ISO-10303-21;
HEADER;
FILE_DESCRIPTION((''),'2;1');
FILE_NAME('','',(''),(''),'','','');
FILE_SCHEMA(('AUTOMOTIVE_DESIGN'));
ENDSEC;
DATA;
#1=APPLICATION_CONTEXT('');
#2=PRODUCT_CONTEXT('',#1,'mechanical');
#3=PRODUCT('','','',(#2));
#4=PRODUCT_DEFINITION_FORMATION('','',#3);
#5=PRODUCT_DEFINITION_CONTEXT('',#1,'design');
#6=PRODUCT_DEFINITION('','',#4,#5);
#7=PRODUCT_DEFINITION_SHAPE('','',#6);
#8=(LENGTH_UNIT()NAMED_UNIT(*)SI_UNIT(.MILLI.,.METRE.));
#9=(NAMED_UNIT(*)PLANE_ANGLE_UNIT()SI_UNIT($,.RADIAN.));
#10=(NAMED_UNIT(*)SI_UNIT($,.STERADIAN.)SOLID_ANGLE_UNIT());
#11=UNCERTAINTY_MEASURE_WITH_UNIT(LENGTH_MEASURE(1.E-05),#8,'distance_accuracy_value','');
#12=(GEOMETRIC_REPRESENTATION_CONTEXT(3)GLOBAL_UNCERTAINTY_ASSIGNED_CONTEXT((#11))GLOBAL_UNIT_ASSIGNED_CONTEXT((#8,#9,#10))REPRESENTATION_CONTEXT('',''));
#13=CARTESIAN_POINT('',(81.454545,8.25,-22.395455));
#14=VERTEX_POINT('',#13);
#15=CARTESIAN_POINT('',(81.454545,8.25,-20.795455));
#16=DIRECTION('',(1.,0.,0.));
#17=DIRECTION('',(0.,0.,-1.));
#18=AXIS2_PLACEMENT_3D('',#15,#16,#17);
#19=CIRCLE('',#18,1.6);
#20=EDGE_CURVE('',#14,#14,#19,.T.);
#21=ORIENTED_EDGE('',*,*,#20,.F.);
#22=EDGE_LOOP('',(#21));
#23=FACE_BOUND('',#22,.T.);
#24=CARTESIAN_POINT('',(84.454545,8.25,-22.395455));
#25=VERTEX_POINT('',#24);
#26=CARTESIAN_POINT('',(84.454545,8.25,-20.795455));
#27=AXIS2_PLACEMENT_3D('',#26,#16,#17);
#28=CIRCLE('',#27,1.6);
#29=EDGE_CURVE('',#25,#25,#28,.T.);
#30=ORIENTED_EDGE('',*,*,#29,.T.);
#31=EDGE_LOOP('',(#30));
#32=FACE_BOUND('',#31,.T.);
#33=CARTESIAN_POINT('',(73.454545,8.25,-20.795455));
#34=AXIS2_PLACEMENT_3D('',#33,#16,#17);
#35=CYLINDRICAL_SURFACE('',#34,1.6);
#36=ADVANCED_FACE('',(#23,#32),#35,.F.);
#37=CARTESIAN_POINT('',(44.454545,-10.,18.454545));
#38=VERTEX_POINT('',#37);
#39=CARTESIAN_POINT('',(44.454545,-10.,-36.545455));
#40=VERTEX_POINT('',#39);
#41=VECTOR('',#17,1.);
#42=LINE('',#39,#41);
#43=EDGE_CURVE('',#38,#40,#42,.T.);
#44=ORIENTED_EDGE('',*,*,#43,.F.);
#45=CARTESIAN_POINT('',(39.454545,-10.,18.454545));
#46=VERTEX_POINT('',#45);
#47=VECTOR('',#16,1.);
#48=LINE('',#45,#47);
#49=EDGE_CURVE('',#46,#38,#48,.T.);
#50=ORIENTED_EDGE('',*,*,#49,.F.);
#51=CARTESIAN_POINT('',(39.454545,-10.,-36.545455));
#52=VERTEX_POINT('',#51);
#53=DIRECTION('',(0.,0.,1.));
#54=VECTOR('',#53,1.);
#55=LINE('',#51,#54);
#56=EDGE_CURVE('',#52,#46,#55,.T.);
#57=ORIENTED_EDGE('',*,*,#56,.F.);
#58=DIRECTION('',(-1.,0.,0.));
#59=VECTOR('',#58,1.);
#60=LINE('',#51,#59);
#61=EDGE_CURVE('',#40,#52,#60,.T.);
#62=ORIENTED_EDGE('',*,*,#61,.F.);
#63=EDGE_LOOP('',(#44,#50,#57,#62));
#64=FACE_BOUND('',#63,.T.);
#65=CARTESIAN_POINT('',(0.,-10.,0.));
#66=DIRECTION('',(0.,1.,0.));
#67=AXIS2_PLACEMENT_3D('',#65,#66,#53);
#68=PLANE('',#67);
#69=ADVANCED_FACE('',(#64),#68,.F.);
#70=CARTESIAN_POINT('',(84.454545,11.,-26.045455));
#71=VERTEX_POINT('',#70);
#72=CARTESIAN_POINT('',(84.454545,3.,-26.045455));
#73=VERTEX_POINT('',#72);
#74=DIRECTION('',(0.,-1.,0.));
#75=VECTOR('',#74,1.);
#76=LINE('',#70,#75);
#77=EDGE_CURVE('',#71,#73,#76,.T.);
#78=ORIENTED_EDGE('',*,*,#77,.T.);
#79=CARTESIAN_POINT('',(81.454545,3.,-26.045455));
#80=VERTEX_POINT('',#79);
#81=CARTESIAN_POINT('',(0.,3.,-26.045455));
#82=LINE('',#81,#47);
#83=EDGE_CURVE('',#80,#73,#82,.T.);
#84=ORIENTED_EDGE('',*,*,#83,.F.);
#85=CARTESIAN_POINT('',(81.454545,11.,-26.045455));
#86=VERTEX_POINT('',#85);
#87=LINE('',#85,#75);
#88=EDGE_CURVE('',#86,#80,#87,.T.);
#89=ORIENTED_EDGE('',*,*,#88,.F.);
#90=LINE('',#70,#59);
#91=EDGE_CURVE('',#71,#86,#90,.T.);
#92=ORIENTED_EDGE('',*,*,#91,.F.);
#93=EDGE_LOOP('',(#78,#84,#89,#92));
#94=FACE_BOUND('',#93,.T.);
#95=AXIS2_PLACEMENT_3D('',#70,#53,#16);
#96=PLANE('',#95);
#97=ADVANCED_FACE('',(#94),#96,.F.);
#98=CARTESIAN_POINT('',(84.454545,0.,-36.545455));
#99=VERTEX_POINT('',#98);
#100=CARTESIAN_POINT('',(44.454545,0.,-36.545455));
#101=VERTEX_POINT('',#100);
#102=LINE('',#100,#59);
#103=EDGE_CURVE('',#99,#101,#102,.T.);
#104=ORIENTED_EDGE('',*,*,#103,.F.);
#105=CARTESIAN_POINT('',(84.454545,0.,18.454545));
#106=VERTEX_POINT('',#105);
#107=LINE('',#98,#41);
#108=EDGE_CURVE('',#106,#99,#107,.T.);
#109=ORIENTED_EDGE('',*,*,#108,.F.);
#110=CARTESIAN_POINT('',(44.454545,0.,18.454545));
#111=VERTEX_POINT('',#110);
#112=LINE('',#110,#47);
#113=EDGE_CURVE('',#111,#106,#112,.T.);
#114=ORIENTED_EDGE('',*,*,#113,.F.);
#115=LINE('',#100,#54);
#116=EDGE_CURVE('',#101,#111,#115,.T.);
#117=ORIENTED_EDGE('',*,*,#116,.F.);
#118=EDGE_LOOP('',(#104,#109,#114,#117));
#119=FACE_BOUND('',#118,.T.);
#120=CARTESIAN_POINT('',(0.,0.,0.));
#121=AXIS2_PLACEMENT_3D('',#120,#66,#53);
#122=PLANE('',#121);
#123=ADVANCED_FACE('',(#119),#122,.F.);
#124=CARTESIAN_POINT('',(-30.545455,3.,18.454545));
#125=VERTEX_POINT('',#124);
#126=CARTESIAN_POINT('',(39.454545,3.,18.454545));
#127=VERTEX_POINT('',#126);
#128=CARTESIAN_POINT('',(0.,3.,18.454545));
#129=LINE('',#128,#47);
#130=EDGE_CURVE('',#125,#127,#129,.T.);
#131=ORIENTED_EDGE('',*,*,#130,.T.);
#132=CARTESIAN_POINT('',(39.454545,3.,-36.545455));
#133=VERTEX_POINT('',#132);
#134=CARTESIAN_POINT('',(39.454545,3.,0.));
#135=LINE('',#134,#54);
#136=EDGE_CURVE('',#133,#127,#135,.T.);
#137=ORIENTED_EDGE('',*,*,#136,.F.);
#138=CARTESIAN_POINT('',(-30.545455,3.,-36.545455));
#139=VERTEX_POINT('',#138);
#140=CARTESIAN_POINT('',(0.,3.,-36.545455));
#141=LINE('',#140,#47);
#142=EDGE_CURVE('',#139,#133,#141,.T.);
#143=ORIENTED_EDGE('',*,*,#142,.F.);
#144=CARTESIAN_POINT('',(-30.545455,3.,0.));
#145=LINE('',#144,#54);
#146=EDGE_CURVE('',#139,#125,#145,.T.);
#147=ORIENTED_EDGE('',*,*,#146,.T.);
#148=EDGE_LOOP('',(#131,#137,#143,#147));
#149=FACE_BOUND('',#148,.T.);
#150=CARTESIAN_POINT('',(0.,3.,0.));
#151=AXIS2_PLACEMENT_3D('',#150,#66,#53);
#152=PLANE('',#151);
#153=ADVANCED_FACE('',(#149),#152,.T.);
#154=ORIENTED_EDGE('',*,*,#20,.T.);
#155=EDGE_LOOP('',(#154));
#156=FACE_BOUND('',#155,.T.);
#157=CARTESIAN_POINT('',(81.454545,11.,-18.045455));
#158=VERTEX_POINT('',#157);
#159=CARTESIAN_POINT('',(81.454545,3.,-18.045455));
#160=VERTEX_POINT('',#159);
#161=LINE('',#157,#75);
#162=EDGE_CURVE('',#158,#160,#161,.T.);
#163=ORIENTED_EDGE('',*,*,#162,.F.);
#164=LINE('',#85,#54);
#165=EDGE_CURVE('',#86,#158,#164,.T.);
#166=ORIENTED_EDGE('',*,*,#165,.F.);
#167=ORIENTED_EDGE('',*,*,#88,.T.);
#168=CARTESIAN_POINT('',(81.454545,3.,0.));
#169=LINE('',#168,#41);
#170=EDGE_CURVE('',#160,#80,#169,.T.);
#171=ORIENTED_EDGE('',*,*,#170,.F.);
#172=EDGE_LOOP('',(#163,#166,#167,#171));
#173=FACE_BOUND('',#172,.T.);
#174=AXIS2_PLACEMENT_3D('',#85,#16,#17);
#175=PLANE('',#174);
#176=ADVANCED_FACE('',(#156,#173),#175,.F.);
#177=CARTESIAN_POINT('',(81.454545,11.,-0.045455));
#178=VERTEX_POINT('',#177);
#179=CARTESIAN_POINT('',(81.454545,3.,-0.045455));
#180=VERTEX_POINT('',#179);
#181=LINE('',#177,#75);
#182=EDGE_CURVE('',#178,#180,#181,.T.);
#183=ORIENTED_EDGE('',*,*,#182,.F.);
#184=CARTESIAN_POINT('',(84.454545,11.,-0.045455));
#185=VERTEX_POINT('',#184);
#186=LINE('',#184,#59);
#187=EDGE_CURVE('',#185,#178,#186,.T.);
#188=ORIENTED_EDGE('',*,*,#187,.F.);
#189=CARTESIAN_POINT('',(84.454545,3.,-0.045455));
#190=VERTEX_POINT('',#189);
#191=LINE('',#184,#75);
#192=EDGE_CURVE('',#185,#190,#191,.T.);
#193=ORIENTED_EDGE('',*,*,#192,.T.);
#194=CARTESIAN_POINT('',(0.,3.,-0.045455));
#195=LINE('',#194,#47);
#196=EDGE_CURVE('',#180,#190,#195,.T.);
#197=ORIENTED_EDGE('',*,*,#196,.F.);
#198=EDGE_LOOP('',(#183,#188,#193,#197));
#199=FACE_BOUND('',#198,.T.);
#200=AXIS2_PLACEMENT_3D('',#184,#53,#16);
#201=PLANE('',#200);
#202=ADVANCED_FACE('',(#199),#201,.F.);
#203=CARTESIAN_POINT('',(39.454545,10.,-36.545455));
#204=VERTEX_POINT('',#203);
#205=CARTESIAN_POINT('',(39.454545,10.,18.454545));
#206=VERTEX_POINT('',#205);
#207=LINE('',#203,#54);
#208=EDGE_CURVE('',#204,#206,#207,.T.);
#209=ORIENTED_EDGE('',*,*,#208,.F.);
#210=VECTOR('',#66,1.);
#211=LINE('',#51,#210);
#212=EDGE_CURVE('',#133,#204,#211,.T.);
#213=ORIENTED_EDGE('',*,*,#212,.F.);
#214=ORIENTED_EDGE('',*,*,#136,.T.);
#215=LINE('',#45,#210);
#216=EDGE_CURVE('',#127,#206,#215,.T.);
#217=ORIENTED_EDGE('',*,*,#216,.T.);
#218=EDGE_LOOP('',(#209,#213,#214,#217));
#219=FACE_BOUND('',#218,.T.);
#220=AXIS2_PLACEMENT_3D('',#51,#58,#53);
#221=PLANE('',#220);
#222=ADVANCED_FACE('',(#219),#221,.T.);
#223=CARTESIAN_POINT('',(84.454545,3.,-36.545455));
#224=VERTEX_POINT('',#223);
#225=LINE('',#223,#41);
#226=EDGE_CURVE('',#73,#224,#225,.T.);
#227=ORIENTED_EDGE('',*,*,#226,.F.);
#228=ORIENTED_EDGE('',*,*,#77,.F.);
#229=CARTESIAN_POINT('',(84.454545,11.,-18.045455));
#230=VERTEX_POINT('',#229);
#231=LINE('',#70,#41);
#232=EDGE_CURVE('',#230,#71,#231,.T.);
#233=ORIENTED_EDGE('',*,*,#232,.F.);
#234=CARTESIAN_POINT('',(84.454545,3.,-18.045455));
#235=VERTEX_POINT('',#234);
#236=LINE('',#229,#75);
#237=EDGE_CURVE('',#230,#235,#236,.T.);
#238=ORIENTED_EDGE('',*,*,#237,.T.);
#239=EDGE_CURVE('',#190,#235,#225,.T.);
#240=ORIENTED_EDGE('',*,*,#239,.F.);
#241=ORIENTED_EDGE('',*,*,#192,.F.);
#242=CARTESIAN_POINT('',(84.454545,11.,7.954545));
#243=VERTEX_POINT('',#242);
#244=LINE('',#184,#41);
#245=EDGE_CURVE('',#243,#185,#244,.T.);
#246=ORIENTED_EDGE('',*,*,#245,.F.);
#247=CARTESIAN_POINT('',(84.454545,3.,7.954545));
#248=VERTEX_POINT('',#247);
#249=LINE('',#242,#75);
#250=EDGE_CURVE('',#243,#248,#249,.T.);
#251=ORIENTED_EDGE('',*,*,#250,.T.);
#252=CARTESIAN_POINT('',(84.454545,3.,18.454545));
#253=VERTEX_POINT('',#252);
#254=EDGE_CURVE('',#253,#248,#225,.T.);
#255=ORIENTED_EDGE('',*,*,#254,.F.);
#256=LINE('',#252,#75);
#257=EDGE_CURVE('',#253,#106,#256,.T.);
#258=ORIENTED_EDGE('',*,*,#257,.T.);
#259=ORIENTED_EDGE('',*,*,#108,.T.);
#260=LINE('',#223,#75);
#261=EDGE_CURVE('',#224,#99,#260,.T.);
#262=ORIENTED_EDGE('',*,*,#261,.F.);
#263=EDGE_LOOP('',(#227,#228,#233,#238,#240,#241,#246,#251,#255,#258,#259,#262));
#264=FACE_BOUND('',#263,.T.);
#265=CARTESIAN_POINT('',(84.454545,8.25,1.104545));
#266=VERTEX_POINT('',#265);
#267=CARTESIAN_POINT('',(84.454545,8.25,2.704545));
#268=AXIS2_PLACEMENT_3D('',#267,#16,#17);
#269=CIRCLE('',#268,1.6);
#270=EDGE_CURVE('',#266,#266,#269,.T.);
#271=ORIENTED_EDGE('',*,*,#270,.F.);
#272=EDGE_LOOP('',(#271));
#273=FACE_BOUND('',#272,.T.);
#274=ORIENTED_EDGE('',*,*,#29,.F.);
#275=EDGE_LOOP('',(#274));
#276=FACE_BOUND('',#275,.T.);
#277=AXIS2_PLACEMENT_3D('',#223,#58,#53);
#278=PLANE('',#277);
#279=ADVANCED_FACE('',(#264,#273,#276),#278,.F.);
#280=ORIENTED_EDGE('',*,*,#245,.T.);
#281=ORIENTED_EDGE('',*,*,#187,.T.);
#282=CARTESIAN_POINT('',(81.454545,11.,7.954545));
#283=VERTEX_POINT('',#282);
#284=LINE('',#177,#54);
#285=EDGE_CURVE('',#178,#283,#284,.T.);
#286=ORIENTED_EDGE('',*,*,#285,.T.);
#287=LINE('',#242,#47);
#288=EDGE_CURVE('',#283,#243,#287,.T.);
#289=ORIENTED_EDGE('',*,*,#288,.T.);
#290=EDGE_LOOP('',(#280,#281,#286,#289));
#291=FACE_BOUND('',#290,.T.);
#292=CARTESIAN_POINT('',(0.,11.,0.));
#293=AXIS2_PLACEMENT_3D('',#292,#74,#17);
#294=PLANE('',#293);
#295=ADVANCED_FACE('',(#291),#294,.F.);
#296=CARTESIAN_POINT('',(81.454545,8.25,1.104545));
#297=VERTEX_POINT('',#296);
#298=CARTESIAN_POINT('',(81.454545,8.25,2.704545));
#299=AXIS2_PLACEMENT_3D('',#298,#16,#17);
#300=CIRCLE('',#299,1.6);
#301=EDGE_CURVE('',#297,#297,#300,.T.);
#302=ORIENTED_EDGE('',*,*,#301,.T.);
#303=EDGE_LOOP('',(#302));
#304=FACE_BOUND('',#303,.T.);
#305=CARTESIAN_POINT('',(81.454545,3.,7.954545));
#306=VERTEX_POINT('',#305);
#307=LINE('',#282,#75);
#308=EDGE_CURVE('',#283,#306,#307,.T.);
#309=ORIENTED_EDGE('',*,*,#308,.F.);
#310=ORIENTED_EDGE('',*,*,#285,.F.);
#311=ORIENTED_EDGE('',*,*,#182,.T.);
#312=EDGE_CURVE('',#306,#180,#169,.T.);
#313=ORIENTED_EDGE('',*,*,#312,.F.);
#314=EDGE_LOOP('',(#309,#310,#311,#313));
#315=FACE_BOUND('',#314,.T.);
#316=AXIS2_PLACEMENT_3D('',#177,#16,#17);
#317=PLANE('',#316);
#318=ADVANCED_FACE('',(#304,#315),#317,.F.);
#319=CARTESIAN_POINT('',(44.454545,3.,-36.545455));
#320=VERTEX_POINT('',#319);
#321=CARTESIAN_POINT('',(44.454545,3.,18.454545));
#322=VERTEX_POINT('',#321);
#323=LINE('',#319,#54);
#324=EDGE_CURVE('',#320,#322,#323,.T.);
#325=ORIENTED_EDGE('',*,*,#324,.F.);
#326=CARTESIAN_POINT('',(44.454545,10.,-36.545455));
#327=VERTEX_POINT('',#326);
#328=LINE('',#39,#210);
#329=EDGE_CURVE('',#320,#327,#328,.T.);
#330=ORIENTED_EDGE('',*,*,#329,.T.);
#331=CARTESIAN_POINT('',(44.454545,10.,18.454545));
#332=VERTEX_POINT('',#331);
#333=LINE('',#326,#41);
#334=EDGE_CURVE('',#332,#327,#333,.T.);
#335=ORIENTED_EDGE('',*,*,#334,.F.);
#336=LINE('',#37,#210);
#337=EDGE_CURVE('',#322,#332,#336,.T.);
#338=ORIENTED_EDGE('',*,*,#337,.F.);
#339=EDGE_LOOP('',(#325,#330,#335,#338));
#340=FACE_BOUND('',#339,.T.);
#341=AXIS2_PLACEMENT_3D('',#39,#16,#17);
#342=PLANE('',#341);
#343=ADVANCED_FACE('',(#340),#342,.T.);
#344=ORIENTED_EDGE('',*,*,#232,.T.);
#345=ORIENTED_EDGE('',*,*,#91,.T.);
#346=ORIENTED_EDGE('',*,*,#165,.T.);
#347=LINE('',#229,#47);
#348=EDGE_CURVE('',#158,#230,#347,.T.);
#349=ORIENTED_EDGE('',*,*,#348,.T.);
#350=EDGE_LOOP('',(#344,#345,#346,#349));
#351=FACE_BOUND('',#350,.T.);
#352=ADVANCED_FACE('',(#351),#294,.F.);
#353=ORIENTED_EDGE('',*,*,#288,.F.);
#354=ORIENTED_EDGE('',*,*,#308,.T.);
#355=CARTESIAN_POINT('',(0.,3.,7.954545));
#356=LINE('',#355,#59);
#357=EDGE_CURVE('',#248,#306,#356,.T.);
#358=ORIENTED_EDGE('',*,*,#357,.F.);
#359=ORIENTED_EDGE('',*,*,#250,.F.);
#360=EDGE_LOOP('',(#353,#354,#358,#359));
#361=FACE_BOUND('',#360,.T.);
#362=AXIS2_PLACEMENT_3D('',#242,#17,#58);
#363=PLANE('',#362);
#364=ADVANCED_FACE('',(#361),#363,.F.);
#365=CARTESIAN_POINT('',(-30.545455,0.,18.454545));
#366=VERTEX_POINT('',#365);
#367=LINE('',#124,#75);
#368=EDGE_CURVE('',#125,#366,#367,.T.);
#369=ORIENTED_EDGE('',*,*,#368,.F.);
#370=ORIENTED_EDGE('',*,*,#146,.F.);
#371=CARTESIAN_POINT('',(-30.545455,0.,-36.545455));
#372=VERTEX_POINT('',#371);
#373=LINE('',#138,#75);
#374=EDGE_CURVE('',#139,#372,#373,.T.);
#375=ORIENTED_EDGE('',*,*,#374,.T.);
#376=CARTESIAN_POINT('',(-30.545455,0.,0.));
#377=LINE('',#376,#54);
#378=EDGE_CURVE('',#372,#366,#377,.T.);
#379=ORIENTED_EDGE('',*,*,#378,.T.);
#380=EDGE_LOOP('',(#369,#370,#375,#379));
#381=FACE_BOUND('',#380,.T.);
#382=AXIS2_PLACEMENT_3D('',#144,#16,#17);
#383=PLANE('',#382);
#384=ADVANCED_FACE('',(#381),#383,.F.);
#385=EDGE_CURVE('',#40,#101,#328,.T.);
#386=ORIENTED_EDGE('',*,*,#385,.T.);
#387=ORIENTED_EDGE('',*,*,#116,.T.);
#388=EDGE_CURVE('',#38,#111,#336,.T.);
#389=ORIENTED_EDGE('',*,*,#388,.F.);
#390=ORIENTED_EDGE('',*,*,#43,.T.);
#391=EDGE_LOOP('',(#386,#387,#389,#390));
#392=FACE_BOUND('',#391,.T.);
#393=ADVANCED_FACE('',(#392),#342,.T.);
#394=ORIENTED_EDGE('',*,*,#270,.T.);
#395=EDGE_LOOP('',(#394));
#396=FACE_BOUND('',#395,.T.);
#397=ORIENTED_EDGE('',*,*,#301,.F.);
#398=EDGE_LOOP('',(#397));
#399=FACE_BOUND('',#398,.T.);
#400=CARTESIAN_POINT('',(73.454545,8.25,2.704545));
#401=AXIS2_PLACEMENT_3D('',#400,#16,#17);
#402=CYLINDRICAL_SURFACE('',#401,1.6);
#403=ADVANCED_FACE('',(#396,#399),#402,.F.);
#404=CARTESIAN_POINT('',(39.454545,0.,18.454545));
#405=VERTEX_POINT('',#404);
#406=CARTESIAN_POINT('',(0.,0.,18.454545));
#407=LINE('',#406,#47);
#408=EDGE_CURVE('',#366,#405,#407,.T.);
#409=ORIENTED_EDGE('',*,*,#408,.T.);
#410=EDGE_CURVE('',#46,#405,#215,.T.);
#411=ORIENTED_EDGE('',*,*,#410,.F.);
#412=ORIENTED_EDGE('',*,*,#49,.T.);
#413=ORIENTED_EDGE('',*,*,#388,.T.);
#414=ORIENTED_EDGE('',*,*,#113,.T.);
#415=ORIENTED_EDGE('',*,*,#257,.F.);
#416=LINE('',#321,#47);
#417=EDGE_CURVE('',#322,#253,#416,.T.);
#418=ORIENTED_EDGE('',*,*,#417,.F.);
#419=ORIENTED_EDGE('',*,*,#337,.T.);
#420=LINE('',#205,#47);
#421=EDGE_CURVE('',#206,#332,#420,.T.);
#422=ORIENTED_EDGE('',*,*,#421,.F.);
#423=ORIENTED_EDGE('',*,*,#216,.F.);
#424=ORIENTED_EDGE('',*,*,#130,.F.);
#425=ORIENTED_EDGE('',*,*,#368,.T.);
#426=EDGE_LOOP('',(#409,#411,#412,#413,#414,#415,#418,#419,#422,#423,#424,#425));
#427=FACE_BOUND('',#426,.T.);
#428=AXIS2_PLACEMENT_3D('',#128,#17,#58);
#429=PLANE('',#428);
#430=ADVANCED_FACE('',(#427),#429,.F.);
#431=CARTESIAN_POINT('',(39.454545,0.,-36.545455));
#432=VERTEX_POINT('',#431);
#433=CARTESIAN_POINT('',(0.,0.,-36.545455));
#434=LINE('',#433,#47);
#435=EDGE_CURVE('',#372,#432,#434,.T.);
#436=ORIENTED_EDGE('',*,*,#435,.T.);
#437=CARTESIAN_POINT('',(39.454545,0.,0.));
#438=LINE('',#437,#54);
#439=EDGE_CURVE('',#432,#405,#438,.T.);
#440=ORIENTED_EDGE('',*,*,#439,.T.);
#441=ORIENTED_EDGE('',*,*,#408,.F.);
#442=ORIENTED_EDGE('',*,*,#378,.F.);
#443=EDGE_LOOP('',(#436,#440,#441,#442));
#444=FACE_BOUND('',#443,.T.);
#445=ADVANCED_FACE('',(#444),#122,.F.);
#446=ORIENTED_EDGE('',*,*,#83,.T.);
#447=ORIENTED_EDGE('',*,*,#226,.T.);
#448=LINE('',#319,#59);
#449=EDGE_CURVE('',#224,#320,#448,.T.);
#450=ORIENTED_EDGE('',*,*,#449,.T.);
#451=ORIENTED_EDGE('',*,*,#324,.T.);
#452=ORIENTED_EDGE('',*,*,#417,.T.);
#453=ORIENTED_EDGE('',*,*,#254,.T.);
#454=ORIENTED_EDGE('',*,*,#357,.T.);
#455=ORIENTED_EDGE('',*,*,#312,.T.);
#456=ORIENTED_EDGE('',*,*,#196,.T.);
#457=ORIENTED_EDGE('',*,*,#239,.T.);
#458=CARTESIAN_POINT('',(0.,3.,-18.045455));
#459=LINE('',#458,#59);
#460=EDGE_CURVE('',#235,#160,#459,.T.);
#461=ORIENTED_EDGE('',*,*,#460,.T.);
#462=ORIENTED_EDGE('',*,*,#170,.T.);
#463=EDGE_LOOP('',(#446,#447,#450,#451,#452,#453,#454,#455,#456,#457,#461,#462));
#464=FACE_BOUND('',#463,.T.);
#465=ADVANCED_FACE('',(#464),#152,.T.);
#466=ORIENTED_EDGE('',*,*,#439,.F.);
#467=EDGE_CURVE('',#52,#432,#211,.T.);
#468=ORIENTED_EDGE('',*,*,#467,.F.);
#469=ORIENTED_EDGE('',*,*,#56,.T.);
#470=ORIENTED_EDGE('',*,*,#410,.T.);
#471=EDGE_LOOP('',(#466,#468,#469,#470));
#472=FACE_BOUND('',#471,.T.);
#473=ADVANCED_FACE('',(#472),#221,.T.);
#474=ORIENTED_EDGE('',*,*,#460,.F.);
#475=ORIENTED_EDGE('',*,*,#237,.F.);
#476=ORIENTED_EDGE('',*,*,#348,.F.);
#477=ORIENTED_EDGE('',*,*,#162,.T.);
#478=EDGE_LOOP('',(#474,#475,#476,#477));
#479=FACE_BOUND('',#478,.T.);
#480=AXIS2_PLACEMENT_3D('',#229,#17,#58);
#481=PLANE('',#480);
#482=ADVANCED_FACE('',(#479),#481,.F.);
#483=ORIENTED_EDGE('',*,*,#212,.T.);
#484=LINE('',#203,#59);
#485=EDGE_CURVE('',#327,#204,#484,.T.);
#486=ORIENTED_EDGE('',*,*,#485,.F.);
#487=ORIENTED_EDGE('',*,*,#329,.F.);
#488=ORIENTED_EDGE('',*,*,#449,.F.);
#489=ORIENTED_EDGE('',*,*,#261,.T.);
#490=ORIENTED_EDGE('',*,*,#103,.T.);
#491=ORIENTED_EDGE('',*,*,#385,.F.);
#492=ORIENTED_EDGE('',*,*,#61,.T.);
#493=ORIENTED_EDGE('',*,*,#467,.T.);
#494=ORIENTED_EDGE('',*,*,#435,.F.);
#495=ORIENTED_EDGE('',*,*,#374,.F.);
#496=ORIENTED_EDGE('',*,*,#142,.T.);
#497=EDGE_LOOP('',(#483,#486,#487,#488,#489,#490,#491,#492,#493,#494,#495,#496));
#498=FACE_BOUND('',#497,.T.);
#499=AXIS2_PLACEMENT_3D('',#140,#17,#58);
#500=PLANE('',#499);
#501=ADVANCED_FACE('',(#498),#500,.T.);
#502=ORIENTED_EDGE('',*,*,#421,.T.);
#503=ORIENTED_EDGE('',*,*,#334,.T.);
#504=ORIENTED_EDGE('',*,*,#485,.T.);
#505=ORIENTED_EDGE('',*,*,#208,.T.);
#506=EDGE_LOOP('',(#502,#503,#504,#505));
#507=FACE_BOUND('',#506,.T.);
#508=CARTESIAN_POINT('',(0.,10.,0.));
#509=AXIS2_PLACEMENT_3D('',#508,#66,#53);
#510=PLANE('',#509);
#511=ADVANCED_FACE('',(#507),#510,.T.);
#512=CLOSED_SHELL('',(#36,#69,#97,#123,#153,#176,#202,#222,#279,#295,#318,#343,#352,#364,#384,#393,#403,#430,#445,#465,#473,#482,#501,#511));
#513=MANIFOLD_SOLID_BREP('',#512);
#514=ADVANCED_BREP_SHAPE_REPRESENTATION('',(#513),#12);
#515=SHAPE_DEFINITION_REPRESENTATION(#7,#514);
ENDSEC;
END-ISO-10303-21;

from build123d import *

# Parameters (mm, degrees)
SKETCH2_W                = 70
SKETCH2_H                = 55
BOSS_EXTRUDE3_DEPTH      = 3
BOSS_EXTRUDE4_DEPTH      = 10
BOSS_EXTRUDE4_DEPTH_BACK = 10
SKETCH5_W                = 5
SKETCH5_H                = 55
SKETCH6_W                = 40
SKETCH6_H                = 55
BOSS_EXTRUDE5_DEPTH      = 3
SKETCH8_W                = 3
SKETCH8_H                = 8
BOSS_EXTRUDE6_DEPTH      = 11
SKETCH9_R                = 1.6
CUT_EXTRUDE1_DEPTH       = 11


with BuildPart() as part:
    # Sketch2 → Boss-Extrude3 (new body)
    with BuildSketch(Plane(origin=(0, 0, 0), x_dir=(1, 0, 0), z_dir=(0, 1, 0))):
        with Locations((4.454545455, 9.045454545)):
            Rectangle(SKETCH2_W, SKETCH2_H)
    extrude(amount=BOSS_EXTRUDE3_DEPTH)

    # Sketch5 → Boss-Extrude4 (add, two sides: drawn at the far end of the back side and taken through both)
    with BuildSketch(Plane(origin=(0, 0, 0), x_dir=(1, 0, 0), z_dir=(0, 1, 0)).offset(-BOSS_EXTRUDE4_DEPTH_BACK)):
        with Locations((41.954545455, 9.045454545)):
            Rectangle(SKETCH5_W, SKETCH5_H)
    extrude(amount=BOSS_EXTRUDE4_DEPTH + BOSS_EXTRUDE4_DEPTH_BACK)

    # Sketch6 → Boss-Extrude5 (add)
    with BuildSketch(Plane(origin=(0, 0, 0), x_dir=(1, 0, 0), z_dir=(0, 1, 0))):
        with Locations((64.454545455, 9.045454545)):
            Rectangle(SKETCH6_W, SKETCH6_H)
    extrude(amount=BOSS_EXTRUDE5_DEPTH)

    # Sketch8 → Boss-Extrude6 (add)
    with BuildSketch(Plane(origin=(0, 0, 0), x_dir=(1, 0, 0), z_dir=(0, 1, 0))):
        with Locations((82.954545455, 22.045454545)):
            Rectangle(SKETCH8_W, SKETCH8_H)
        with Locations((82.954545455, -3.954545455)):
            Rectangle(SKETCH8_W, SKETCH8_H)
    extrude(amount=BOSS_EXTRUDE6_DEPTH)

    # Sketch9 → Cut-Extrude1 (cut)
    with BuildSketch(Plane(origin=(84.454545455, 0, 0), x_dir=(0, 0, -1), z_dir=(1, 0, 0))):
        with Locations((-2.704545455, 8.25)):
            Circle(SKETCH9_R)
        with Locations((20.795454545, 8.25)):
            Circle(SKETCH9_R)
    extrude(amount=-CUT_EXTRUDE1_DEPTH, mode=Mode.SUBTRACT)


solid = part.part
